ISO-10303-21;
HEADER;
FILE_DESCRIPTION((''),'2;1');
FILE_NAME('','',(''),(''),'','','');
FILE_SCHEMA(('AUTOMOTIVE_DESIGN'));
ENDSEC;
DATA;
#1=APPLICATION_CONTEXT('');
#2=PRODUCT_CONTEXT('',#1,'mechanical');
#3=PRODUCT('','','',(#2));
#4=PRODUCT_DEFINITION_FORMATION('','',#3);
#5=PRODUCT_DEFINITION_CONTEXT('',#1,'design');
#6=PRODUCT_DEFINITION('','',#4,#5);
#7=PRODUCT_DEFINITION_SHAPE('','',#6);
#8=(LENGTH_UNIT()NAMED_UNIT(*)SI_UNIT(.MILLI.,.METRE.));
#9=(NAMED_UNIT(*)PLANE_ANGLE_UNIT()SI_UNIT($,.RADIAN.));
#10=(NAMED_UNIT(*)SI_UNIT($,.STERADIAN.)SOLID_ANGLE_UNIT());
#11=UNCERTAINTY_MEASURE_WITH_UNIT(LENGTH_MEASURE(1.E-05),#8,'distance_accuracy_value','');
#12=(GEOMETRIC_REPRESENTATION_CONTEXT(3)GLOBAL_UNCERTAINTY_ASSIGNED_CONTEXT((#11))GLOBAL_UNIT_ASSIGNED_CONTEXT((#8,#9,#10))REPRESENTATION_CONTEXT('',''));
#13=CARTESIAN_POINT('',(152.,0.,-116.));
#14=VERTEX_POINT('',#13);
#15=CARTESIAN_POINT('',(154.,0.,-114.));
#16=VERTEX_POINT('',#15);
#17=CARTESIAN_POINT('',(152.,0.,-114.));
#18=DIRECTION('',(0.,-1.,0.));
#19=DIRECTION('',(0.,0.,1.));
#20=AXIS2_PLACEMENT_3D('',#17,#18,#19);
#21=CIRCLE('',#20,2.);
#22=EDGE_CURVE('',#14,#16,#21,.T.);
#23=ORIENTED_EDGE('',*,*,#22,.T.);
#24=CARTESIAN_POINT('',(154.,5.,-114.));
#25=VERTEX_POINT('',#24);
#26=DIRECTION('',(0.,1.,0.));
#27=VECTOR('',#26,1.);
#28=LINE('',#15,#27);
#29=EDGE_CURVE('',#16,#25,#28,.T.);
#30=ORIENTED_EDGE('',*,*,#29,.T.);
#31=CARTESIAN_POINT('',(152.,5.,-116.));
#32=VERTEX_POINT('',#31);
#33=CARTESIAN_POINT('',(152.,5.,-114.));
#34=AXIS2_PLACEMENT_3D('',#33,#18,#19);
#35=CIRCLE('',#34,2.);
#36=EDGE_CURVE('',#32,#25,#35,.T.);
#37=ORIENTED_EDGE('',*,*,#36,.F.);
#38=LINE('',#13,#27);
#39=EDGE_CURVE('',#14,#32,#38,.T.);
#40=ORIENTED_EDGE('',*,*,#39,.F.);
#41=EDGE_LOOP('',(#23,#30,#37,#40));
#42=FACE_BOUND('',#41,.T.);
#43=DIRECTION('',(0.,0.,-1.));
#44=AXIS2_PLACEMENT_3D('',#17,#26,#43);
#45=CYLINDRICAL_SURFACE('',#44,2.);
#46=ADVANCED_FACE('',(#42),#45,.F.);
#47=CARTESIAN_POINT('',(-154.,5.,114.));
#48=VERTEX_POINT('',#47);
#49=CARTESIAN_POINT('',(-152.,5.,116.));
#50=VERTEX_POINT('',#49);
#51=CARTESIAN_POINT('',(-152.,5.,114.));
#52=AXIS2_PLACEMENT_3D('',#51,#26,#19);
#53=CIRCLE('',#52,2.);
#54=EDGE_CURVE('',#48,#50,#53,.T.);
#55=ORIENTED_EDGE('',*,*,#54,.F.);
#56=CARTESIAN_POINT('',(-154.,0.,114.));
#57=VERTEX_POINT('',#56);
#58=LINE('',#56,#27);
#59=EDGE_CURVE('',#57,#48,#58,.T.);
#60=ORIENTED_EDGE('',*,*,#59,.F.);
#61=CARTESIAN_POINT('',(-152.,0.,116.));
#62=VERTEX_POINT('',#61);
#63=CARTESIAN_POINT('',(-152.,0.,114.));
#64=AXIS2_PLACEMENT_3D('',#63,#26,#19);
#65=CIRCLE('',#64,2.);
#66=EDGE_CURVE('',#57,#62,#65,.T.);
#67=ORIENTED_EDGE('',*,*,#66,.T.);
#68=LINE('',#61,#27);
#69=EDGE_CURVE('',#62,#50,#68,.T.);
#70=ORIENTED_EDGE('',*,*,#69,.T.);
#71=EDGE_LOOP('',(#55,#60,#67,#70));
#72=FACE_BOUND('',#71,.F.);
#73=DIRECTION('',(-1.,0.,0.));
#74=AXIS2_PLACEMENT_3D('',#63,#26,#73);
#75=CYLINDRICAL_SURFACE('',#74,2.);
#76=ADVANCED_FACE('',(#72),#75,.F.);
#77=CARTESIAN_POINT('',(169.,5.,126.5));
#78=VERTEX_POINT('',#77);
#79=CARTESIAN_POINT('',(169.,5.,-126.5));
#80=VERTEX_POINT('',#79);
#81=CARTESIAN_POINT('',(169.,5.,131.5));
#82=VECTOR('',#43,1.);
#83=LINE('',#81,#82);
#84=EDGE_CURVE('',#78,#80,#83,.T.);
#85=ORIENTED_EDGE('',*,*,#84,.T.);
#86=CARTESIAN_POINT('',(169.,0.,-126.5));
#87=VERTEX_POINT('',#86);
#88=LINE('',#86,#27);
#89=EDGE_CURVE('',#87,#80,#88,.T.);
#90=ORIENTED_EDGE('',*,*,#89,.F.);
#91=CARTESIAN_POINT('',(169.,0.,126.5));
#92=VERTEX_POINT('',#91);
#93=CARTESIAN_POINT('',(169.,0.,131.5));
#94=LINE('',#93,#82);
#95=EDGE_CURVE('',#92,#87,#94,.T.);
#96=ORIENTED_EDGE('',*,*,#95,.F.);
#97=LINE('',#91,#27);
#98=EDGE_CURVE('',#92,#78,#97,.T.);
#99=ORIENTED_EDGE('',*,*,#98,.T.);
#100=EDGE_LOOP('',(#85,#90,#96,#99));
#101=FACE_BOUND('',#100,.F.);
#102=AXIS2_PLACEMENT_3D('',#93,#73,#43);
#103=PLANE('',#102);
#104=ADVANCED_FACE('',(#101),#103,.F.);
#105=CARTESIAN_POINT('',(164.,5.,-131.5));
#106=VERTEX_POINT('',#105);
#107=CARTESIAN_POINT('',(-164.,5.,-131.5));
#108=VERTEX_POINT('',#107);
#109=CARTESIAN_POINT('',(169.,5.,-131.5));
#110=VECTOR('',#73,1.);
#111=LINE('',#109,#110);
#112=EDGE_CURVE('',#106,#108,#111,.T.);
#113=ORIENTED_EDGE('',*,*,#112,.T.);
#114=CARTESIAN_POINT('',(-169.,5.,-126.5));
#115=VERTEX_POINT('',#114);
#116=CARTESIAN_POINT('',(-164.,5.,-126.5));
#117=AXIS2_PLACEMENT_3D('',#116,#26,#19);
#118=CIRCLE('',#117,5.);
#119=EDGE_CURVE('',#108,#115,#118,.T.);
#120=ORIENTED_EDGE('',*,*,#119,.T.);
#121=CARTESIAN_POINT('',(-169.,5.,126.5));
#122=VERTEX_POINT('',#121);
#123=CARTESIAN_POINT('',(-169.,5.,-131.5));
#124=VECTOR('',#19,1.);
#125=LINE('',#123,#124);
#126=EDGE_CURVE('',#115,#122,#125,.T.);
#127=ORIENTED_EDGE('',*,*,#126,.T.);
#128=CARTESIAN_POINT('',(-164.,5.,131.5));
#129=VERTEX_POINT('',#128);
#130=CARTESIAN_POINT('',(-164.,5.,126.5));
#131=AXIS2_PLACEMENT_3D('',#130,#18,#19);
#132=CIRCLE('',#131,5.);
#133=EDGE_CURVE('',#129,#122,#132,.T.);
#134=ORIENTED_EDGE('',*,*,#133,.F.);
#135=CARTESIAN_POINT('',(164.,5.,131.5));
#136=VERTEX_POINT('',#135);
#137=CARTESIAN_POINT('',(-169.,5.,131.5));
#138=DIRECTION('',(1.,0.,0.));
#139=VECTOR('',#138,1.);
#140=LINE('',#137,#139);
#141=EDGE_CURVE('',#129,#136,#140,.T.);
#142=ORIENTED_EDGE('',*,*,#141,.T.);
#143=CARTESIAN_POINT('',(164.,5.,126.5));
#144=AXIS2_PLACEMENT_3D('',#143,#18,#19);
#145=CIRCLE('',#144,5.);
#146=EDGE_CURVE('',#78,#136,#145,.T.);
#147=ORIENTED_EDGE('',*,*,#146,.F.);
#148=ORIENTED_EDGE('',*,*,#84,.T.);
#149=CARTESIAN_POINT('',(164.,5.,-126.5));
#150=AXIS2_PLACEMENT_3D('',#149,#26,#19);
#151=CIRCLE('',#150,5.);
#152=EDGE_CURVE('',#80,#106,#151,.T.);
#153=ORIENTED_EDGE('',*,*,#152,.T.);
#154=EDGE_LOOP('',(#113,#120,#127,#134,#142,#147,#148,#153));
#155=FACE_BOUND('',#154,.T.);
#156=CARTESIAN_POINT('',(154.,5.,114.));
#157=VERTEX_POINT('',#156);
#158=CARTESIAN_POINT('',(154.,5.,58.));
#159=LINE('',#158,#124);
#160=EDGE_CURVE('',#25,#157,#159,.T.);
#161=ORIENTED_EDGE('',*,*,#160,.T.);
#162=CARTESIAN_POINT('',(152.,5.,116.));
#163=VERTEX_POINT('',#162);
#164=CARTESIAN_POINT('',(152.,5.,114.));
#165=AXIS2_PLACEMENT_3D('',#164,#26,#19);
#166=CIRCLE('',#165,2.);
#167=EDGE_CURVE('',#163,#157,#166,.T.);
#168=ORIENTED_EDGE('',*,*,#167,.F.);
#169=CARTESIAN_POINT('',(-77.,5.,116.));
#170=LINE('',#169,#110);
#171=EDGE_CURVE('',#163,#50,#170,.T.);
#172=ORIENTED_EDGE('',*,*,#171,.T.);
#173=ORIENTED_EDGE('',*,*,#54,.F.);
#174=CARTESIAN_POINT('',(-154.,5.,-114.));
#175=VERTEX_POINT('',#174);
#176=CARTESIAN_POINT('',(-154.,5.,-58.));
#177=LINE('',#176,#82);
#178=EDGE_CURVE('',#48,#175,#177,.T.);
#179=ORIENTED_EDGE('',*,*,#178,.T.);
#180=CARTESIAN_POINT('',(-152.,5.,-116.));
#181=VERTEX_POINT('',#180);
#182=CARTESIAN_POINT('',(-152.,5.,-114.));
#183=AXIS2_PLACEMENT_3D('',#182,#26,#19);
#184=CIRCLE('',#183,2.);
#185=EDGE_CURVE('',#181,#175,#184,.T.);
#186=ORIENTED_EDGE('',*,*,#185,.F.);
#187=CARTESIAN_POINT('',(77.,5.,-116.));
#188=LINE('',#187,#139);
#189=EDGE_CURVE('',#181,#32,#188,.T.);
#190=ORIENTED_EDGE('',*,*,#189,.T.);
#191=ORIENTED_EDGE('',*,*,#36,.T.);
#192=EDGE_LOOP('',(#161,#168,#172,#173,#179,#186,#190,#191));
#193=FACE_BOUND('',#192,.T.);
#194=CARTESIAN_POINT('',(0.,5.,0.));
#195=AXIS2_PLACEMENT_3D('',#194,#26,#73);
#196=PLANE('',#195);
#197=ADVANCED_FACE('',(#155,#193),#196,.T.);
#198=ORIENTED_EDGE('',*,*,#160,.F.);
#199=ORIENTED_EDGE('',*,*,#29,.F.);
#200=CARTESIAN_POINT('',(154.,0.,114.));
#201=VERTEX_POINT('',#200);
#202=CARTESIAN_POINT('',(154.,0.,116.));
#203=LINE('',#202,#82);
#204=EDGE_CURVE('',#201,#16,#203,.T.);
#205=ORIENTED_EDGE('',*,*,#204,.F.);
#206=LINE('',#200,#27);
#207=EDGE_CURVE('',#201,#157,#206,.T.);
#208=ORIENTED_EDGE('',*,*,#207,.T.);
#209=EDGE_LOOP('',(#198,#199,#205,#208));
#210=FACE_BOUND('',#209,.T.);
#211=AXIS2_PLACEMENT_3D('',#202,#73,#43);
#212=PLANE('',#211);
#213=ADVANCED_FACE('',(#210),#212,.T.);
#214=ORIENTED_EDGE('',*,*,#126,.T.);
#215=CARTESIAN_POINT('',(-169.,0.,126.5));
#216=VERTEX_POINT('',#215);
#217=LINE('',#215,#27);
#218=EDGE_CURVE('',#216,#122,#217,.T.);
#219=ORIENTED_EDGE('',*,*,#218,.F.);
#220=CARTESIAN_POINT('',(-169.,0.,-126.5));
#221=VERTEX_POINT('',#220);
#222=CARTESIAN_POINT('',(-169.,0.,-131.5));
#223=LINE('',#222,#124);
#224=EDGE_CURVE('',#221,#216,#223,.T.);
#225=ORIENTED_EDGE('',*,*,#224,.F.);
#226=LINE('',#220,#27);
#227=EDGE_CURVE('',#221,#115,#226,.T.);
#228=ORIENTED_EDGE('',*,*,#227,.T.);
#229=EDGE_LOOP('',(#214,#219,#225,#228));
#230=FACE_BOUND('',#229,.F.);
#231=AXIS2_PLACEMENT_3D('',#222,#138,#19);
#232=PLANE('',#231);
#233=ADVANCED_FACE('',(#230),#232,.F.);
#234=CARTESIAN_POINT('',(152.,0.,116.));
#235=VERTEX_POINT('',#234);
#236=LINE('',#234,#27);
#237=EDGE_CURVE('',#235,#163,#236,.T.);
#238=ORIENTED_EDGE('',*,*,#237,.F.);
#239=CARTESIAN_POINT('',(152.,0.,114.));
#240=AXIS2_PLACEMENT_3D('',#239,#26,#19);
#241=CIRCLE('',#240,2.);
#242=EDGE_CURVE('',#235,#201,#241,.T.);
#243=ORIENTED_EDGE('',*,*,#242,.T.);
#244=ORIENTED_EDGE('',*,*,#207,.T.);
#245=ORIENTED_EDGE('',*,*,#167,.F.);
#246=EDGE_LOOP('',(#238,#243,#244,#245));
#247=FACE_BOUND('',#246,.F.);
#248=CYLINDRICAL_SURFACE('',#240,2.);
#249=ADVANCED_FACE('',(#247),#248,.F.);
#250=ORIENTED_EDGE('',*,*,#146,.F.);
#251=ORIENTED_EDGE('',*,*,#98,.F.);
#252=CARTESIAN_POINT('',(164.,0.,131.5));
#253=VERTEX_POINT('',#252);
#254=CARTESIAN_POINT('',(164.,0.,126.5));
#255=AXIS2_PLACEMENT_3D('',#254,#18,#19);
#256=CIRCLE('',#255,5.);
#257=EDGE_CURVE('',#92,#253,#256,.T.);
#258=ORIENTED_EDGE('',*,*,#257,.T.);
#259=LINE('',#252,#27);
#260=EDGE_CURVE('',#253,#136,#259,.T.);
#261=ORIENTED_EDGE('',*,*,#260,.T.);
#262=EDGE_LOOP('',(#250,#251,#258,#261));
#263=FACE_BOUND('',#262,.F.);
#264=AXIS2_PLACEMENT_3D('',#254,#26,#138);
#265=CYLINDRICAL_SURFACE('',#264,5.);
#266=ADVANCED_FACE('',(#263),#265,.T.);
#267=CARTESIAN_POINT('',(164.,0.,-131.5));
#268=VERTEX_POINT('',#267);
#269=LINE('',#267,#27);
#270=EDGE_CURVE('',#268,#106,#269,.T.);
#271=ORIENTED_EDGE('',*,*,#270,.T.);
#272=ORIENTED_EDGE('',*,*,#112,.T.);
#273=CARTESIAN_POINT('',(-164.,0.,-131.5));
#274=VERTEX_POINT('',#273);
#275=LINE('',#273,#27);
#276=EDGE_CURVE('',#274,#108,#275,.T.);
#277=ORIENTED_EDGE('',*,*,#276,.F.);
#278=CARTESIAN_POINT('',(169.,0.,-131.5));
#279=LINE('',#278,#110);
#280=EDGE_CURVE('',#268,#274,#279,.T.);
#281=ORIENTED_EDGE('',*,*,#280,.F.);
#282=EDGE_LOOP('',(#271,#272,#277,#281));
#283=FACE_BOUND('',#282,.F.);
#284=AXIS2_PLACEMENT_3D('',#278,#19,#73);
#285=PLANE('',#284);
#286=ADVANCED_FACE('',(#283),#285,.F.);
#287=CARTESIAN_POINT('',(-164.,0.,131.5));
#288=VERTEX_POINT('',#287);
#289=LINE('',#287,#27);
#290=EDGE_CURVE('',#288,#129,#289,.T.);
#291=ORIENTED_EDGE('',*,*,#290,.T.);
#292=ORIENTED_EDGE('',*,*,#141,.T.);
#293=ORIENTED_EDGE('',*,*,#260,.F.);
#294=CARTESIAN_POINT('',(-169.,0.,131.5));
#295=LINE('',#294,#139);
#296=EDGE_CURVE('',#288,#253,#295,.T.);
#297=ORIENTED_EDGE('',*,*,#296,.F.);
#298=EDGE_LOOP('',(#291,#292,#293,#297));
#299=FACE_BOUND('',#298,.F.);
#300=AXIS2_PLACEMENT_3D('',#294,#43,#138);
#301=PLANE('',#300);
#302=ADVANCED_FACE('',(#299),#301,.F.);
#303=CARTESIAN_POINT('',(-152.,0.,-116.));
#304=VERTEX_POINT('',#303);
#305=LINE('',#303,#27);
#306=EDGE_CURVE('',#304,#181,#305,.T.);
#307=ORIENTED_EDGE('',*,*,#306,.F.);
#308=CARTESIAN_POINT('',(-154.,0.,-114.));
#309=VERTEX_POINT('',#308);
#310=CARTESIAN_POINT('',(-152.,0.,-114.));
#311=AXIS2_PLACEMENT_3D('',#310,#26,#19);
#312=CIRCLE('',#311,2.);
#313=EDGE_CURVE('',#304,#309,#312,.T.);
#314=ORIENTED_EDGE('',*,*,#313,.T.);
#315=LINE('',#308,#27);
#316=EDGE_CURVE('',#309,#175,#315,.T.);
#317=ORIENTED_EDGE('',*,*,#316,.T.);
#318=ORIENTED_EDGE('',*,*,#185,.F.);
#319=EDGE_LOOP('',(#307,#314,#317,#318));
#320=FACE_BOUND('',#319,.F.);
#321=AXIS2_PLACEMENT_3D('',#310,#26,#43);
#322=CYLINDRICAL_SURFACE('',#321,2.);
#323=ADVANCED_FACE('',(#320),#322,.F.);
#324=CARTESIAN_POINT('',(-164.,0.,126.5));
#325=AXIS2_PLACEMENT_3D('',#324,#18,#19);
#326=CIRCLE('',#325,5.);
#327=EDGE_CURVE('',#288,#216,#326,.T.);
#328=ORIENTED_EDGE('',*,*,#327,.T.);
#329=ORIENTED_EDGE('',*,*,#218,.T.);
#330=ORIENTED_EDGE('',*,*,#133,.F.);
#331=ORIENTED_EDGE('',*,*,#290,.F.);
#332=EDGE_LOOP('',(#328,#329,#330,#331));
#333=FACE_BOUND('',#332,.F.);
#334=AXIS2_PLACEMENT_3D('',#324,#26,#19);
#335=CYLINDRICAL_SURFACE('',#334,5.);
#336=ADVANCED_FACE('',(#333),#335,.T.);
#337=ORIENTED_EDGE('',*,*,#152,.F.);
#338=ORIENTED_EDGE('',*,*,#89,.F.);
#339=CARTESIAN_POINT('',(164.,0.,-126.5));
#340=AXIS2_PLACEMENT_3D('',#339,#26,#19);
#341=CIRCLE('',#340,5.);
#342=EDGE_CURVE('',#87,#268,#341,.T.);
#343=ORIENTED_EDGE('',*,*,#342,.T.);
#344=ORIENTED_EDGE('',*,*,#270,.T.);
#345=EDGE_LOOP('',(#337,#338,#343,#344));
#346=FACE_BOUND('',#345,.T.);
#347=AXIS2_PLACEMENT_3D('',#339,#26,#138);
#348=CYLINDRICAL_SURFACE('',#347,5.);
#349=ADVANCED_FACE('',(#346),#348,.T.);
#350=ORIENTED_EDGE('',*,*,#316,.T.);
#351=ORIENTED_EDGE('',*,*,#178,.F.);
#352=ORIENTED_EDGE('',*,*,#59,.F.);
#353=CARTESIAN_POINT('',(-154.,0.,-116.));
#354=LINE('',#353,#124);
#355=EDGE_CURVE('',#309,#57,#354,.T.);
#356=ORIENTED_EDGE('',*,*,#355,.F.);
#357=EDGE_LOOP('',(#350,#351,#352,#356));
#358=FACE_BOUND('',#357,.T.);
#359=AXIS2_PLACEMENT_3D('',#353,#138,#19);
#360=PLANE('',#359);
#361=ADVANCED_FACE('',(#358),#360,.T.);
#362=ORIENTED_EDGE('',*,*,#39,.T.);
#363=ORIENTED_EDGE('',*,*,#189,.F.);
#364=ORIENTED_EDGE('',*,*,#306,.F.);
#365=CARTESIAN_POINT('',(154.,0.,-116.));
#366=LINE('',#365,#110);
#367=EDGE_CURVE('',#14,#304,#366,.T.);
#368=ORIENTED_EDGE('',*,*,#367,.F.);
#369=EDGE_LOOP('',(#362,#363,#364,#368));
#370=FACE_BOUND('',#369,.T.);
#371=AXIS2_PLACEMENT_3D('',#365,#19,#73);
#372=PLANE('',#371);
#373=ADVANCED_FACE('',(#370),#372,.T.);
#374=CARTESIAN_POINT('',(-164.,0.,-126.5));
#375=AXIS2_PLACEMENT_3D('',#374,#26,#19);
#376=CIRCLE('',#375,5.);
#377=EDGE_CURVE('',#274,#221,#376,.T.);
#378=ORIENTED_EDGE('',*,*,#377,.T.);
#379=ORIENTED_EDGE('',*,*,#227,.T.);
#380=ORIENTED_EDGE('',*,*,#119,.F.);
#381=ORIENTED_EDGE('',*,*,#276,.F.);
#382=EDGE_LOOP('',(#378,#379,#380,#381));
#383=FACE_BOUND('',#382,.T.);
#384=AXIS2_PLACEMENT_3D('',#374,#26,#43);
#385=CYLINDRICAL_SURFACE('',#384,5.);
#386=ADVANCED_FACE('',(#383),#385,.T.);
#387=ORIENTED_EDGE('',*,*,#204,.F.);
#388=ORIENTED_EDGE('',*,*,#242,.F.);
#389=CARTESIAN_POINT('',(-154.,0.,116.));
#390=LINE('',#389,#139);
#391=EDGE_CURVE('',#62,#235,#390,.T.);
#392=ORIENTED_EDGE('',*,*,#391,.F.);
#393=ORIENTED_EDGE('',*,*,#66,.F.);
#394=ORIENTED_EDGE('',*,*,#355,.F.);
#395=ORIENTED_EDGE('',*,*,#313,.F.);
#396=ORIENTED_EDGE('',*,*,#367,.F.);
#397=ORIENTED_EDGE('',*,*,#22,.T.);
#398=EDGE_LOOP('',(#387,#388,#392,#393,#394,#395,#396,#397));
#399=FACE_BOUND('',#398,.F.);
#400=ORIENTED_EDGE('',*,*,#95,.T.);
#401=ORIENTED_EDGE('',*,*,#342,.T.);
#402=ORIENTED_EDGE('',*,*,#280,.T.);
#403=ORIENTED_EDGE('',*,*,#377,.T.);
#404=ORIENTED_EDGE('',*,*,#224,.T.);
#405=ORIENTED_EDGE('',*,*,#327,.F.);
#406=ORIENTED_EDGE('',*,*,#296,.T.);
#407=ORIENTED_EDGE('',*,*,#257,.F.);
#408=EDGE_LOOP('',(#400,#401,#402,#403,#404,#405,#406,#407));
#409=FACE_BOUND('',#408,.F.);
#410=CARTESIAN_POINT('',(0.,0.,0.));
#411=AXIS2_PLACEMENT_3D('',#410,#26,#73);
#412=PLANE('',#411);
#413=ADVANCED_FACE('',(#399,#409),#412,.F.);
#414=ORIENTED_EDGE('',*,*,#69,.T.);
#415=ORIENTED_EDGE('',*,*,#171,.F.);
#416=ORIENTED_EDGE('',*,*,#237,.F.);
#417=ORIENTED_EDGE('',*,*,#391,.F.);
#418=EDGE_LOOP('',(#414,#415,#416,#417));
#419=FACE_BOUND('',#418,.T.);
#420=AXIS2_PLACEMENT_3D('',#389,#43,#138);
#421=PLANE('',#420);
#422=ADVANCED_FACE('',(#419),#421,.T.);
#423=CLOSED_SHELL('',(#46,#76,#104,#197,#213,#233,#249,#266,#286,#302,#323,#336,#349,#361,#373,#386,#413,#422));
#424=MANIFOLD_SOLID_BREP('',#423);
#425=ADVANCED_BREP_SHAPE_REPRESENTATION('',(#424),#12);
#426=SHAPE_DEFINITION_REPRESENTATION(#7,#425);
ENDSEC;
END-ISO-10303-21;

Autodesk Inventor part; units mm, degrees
ref_plane "YZ Plane" through (0, 0, 0) normal (1, 0, 0) x (0, 1, 0)
ref_plane "XZ Plane" through (0, 0, 0) normal (0, 1, 0) x (-1, 0, 0)
ref_plane "XY Plane" through (0, 0, 0) normal (0, 0, 1) x (1, 0, 0)
sketch "Szkic1" plane through (0, 0, 0) normal (0, 1, 0) x (-1, 0, 0)
  line L0 (-169, -131.5) -> (169, -131.5)
  line L1 (169, -131.5) -> (169, 131.5)
  line L2 (169, 131.5) -> (-169, 131.5)
  line L3 (-169, 131.5) -> (-169, -131.5)
  line L4 (-169, -131.5) -> (169, 131.5) construction
  line L5 (169, -131.5) -> (-169, 131.5) construction
  point P0 (0, 0)
  dimension "d0" = 338
  dimension "d1" = 263
extrude "Wyciągnięcie proste1" add sketch "Szkic1" along normal blind 5
sketch "Szkic2" plane through (0, 0, 0) normal (0, -1, 0) x (1, 0, 0)
  line L0 (154, -116) -> (-154, -116)
  line L1 (-154, -116) -> (-154, 116)
  line L2 (-154, 116) -> (154, 116)
  line L3 (154, 116) -> (154, -116)
  line L4 (154, -116) -> (-154, 116) construction
  line L5 (-154, -116) -> (154, 116) construction
  point P0 (0, 0)
  dimension "d4" = 308
  dimension "d5" = 232
extrude "Wyciągnięcie proste2" cut sketch "Szkic2" against normal blind 10
fillet "Zaokrąglenie1" radius 2 4 edges at (-154, 2.5, 116) (-154, 2.5, -116) (154, 2.5, 116) (154, 2.5, -116)
fillet "Zaokrąglenie2" radius 5 4 edges at (169, 2.5, -131.5) (-169, 2.5, -131.5) (169, 2.5, 131.5) (-169, 2.5, 131.5)
properties part number "frame_upper" material "Tworzywo sztuczne PMMA"
